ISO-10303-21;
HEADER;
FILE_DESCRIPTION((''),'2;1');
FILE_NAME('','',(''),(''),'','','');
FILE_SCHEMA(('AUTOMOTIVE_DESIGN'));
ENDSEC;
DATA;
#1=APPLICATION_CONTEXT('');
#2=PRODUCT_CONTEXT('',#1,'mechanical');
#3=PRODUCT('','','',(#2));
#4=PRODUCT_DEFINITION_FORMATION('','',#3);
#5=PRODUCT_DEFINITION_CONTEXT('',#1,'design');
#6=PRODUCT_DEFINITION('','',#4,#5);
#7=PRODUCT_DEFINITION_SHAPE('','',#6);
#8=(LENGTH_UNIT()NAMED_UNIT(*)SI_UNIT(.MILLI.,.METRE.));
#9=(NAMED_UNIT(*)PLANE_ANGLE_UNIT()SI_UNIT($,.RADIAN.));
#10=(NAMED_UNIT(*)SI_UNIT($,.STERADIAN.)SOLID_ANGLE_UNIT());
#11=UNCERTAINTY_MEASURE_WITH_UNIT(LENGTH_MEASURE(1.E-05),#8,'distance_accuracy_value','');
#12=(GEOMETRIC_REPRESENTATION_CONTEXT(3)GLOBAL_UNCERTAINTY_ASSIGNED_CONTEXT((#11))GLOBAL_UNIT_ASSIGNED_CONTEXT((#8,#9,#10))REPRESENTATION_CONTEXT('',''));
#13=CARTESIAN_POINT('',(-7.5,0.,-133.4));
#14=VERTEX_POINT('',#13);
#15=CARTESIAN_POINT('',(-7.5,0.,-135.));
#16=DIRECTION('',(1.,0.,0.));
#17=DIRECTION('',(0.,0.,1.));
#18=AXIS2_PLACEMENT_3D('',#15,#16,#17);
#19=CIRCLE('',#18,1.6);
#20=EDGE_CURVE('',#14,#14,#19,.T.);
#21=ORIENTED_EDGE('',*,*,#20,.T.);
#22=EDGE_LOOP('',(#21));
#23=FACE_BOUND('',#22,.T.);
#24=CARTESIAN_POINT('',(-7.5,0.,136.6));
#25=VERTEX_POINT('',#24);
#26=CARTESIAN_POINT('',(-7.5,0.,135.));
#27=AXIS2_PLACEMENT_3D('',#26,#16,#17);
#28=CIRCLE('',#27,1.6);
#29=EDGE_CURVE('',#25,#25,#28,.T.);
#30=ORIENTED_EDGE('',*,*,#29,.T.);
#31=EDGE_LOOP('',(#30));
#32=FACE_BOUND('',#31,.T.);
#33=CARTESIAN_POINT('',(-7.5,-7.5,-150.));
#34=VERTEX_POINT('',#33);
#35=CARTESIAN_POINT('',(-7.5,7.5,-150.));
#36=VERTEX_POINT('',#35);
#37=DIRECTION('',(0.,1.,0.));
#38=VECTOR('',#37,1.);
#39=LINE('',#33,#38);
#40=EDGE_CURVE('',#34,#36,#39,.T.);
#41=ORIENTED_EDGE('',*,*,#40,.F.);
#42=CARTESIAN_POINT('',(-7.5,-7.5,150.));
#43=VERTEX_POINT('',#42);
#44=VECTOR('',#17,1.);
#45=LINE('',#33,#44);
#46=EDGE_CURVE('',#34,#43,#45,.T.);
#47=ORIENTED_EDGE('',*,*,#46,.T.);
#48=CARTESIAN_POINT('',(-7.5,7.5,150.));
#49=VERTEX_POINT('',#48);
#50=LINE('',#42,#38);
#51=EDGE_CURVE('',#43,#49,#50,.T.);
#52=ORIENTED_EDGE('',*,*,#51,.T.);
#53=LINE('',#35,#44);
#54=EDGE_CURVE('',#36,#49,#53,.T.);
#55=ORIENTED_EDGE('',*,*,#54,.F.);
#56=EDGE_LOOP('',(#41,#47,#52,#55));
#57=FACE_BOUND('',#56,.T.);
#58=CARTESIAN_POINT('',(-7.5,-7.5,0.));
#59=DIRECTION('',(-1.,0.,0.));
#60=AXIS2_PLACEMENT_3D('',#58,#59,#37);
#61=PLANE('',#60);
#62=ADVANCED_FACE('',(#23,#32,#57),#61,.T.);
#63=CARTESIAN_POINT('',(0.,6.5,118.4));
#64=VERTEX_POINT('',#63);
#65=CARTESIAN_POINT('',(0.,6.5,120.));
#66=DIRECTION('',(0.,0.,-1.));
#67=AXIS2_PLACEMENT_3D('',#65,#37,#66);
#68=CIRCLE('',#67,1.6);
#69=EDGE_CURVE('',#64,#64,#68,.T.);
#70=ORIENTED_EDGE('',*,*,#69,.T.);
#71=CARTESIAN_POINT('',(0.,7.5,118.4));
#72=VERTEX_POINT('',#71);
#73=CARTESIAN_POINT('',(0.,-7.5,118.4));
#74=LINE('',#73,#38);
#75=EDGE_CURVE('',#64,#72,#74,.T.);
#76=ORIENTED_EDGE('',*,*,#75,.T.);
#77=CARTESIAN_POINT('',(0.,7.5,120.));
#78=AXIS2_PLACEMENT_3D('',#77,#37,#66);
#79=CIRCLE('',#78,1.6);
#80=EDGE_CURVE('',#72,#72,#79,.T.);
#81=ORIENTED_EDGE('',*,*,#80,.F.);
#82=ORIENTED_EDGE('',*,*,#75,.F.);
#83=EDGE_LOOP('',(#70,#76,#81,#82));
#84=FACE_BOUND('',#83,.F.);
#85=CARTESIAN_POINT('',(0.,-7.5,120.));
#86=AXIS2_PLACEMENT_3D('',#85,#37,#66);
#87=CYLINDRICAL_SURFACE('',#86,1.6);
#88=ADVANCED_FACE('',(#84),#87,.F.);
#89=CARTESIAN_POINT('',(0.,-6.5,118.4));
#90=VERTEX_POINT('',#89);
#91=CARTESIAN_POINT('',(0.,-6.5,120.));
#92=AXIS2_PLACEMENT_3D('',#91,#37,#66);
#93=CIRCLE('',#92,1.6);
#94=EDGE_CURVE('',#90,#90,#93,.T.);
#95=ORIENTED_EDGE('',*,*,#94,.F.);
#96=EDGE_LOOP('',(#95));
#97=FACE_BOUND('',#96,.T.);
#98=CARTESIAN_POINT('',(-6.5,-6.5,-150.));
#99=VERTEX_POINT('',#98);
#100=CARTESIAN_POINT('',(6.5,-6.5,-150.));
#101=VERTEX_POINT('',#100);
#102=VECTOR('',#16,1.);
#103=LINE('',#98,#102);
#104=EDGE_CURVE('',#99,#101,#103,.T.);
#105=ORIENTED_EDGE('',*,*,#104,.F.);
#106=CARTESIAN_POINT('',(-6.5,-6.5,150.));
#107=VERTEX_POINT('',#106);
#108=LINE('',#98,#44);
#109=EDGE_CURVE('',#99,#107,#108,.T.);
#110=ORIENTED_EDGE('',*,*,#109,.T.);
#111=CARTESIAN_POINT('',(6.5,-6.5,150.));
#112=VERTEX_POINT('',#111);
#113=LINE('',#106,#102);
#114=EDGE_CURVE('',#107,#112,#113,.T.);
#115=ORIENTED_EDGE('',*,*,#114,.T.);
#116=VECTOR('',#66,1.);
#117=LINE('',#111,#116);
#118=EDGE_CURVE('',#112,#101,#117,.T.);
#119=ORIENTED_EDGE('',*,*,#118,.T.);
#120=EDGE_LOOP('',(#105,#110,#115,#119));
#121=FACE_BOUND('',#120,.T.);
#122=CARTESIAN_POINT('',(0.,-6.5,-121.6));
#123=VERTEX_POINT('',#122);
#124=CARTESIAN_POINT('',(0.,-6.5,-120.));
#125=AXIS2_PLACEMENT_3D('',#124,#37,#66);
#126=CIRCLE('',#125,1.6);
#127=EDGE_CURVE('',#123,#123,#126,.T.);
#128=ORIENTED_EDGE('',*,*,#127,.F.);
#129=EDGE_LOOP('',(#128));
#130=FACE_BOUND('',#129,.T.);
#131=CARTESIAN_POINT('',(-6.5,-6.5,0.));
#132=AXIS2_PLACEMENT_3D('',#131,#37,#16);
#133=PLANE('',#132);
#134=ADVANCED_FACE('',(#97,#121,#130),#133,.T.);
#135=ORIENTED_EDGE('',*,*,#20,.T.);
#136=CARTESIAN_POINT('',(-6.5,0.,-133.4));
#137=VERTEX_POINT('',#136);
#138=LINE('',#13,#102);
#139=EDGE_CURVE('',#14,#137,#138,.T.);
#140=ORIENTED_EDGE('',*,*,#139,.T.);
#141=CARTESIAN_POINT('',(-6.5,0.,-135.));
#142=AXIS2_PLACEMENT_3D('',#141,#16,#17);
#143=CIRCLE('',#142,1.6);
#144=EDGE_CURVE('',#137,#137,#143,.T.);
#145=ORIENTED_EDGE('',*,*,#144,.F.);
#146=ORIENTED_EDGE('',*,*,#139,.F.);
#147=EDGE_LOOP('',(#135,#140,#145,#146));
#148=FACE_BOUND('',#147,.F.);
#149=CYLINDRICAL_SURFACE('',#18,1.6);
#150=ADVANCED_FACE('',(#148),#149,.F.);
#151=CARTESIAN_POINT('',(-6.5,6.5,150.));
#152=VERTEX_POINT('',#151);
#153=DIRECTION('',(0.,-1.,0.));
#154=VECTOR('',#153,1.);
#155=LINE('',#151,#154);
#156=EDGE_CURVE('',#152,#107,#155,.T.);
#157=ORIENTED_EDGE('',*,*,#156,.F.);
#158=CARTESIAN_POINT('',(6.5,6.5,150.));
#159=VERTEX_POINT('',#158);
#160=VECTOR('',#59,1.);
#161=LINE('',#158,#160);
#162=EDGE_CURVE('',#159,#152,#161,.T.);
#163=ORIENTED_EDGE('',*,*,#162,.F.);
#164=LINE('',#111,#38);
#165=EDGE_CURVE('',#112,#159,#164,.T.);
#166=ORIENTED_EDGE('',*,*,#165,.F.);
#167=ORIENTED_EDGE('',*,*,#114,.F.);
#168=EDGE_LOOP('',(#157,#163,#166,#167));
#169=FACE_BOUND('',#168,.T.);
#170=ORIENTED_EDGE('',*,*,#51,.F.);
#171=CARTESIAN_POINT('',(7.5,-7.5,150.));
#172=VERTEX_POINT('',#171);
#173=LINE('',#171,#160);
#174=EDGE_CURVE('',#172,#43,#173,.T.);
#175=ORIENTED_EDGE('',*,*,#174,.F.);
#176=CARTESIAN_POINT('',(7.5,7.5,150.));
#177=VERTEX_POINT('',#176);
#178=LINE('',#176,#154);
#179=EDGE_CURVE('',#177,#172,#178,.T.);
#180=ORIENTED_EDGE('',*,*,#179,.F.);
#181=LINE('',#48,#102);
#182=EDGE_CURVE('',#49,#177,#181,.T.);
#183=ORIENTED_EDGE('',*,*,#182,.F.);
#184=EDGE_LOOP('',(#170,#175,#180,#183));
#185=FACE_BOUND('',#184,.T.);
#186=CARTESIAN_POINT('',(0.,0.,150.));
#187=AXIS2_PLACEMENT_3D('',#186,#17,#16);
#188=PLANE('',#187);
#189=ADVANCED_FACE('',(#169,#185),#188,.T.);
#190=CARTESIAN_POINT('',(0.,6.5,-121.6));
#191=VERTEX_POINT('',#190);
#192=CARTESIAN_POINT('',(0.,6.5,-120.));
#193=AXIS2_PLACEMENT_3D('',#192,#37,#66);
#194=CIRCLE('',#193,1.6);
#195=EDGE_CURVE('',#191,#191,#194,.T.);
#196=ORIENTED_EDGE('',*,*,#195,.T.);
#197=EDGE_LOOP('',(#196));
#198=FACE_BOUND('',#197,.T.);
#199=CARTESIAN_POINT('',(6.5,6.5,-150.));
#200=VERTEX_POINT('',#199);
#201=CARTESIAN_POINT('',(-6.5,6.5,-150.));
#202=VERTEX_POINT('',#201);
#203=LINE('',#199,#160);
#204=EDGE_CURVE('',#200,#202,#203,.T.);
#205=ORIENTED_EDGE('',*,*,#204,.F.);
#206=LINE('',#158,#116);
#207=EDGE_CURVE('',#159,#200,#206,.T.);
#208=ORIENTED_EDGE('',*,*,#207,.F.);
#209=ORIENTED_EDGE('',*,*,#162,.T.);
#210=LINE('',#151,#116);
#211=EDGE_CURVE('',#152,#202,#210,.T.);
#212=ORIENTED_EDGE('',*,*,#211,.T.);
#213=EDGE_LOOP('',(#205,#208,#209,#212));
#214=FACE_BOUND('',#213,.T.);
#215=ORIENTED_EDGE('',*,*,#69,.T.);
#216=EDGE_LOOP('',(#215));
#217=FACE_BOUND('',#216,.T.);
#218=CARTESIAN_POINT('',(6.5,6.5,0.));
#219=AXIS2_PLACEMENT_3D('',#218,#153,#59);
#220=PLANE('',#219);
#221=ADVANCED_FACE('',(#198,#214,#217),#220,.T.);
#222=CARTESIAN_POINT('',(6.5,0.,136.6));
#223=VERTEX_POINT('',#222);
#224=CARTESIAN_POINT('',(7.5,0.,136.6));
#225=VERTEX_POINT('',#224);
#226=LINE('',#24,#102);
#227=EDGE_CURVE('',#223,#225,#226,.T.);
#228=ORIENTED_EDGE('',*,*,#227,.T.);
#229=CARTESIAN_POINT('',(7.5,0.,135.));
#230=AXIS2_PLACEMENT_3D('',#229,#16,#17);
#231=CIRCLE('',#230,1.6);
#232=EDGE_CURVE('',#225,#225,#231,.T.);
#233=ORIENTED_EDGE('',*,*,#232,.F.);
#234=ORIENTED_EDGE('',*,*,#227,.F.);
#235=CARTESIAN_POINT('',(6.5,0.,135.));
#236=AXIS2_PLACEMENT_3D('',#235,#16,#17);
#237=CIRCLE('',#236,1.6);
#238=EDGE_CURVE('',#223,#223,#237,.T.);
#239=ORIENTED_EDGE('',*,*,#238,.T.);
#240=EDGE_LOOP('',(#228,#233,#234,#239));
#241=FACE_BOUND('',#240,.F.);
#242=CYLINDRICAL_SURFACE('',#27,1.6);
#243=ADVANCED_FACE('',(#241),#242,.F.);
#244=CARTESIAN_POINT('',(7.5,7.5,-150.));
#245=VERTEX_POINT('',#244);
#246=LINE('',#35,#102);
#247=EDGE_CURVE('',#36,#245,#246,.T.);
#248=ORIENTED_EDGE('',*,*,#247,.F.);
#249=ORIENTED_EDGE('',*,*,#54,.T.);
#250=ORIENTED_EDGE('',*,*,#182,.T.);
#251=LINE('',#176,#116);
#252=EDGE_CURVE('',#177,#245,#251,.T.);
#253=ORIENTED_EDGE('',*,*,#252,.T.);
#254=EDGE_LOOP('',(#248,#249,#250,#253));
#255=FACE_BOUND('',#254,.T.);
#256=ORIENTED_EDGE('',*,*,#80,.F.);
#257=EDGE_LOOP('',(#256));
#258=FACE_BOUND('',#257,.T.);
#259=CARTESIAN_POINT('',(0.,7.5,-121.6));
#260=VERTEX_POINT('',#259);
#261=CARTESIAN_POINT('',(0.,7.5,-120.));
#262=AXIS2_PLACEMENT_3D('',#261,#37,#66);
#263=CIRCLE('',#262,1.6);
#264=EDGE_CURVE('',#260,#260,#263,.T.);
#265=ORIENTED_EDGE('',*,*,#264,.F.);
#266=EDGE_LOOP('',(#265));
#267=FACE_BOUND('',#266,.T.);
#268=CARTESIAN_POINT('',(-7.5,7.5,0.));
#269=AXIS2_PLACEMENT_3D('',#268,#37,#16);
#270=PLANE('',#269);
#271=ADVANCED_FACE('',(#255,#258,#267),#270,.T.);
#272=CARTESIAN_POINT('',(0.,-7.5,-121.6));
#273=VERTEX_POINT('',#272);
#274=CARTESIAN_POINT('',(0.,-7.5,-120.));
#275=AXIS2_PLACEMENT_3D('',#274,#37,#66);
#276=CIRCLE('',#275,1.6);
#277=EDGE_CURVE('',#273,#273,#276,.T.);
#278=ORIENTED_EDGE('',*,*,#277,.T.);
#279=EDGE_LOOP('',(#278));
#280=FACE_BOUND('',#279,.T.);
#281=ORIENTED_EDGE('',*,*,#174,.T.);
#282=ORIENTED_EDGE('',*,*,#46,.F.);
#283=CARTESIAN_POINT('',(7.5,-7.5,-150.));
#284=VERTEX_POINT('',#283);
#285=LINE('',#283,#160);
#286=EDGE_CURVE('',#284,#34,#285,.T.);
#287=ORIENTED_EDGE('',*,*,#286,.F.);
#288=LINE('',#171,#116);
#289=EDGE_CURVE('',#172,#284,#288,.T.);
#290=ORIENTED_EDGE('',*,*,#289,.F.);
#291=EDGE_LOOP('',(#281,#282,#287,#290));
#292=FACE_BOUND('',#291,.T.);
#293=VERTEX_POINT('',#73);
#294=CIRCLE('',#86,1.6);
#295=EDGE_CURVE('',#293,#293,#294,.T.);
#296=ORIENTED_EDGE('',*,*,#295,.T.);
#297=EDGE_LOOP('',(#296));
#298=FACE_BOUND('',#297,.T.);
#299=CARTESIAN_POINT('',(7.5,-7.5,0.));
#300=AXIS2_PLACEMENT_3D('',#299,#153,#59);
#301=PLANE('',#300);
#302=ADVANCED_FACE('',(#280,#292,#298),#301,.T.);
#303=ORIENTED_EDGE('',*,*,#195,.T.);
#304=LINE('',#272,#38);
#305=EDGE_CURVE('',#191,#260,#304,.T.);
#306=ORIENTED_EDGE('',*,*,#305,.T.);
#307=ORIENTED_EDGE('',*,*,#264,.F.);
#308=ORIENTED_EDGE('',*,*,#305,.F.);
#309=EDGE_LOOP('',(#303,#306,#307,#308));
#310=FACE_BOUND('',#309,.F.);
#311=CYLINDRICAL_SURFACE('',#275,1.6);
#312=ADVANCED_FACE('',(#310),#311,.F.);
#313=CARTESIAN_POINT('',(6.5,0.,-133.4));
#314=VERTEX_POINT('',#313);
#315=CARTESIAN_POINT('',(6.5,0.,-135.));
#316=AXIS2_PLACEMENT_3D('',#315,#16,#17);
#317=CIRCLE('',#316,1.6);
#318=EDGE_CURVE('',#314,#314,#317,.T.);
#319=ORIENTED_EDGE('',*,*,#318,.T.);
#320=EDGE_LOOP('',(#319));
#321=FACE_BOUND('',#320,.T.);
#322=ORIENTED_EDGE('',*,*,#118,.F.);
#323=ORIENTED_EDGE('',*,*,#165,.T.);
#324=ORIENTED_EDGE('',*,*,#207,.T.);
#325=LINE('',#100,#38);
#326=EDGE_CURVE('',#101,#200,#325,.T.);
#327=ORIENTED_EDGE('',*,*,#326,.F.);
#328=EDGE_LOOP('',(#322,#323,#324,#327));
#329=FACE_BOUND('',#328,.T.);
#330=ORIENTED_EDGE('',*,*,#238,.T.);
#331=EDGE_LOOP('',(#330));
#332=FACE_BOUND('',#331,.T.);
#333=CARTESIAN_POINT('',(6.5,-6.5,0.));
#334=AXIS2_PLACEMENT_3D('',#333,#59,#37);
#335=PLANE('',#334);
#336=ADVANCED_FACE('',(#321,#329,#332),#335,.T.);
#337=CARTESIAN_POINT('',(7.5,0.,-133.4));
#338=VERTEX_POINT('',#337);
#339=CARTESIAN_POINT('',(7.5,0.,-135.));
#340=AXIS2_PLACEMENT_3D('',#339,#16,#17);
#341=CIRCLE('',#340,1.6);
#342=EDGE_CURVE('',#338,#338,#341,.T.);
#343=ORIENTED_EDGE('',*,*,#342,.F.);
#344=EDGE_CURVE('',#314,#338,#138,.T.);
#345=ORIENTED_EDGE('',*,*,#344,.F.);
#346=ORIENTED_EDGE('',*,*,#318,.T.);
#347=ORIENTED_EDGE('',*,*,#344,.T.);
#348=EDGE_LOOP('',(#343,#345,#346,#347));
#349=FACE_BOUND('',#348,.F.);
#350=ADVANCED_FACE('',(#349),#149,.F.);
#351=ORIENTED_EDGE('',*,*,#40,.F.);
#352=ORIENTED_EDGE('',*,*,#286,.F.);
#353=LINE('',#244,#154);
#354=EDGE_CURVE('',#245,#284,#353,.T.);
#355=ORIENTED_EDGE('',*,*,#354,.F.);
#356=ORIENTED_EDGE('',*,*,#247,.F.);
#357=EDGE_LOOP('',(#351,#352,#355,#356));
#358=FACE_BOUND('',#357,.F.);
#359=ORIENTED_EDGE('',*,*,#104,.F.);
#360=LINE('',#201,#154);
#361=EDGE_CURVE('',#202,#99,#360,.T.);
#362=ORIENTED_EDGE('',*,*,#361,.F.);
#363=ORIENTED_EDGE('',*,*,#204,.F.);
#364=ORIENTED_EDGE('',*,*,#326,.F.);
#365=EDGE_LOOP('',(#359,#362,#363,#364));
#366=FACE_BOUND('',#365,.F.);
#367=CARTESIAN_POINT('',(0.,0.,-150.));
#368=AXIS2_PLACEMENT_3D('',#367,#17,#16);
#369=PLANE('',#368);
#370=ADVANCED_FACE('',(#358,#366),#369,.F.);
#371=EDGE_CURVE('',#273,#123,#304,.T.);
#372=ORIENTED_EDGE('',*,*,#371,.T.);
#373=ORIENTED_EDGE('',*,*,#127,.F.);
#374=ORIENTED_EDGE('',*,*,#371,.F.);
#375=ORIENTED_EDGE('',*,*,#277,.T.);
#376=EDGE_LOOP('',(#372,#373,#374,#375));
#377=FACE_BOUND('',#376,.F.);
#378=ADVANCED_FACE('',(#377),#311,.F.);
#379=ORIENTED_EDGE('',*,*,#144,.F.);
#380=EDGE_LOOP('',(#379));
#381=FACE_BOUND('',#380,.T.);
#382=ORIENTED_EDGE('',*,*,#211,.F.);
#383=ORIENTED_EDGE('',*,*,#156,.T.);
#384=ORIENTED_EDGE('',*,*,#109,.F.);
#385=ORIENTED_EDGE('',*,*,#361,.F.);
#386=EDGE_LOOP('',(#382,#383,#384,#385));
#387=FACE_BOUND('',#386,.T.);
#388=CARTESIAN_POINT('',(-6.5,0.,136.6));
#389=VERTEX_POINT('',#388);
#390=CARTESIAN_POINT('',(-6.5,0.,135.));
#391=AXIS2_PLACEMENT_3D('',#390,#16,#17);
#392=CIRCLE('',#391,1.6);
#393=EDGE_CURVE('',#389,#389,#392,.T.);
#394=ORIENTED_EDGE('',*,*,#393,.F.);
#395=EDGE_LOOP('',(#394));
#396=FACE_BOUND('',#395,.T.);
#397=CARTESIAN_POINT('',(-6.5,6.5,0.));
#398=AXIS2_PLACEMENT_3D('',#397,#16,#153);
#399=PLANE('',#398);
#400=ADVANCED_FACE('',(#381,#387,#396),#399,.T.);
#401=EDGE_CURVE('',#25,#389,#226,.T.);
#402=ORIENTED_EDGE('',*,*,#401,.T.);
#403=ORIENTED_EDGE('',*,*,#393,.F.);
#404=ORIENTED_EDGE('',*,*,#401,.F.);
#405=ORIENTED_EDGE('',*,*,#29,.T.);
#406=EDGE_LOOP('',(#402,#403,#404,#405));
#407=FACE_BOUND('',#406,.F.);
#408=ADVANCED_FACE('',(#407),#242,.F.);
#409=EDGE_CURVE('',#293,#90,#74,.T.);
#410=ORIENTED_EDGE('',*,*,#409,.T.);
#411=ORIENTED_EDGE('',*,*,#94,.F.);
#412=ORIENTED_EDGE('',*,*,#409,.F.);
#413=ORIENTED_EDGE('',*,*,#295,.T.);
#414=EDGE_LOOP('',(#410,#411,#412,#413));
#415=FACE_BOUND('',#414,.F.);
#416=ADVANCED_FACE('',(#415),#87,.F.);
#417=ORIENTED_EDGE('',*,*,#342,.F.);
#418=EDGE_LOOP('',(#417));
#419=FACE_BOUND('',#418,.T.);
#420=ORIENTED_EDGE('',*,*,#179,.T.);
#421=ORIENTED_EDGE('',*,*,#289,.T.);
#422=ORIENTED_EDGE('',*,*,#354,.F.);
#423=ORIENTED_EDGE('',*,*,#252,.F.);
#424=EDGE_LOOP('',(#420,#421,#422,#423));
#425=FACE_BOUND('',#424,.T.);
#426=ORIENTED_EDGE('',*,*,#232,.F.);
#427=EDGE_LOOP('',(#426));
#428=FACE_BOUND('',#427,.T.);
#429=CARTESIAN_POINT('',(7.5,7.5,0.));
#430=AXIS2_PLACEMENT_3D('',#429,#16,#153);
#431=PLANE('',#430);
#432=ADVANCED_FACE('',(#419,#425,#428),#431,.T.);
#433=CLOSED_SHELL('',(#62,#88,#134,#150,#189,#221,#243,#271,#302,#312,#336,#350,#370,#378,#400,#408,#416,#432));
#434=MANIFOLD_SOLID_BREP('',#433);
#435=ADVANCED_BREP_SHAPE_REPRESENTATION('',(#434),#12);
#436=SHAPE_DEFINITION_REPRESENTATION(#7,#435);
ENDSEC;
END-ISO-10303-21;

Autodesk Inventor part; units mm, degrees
ref_plane "YZ Plane" through (0, 0, 0) normal (1, 0, 0) x (0, 1, 0)
ref_plane "XZ Plane" through (0, 0, 0) normal (0, 1, 0) x (-1, 0, 0)
ref_plane "XY Plane" through (0, 0, 0) normal (0, 0, 1) x (1, 0, 0)
sketch "スケッチ1" plane through (0, 0, 0) normal (0, 0, 1) x (1, 0, 0)
  line L0 (-7.5, 7.5) -> (7.5, 7.5)
  line L1 (7.5, 7.5) -> (7.5, -7.5)
  line L2 (7.5, -7.5) -> (-7.5, -7.5)
  line L3 (-7.5, -7.5) -> (-7.5, 7.5)
  line L4 (-7.5, 7.5) -> (7.5, -7.5) construction
  line L5 (7.5, 7.5) -> (-7.5, -7.5) construction
  line L6 (-6.5, -6.5) -> (6.5, -6.5)
  line L7 (6.5, -6.5) -> (6.5, 6.5)
  line L8 (6.5, 6.5) -> (-6.5, 6.5)
  line L9 (-6.5, 6.5) -> (-6.5, -6.5)
  point P0 (0, 0)
  dimension "d0" = 15
  dimension "d1" = 15
extrude "押し出し1" add sketch "スケッチ1" along normal mid plane 300
sketch "スケッチ2" plane through (-7.5, -7.5, 150) normal (0, -1, 0) x (1, 0, 0)
  line L0 (7.5, -270) -> (7.5, -30)
  point P0 (7.5, -150)
  point P1 (7.5, -150)
  dimension "d4" = 240
hole "穴1" at (0, -7.5, 120) at (0, -7.5, -120) direction (0, 1, 0) diameter 3.2 end through all
sketch "スケッチ3" plane through (-7.5, -7.5, 150) normal (-1, 0, 0) x (0, 0, 1)
  line L0 (-285, 7.5) -> (-15, 7.5)
  point P0 (-150, 7.5)
  point P1 (-150, 7.5)
  dimension "d12" = 270
hole "穴2" at (-7.5, 0, -135) at (-7.5, 0, 135) direction (1, 0, 0) diameter 3.2 end through all
properties part number "回路角柱"
